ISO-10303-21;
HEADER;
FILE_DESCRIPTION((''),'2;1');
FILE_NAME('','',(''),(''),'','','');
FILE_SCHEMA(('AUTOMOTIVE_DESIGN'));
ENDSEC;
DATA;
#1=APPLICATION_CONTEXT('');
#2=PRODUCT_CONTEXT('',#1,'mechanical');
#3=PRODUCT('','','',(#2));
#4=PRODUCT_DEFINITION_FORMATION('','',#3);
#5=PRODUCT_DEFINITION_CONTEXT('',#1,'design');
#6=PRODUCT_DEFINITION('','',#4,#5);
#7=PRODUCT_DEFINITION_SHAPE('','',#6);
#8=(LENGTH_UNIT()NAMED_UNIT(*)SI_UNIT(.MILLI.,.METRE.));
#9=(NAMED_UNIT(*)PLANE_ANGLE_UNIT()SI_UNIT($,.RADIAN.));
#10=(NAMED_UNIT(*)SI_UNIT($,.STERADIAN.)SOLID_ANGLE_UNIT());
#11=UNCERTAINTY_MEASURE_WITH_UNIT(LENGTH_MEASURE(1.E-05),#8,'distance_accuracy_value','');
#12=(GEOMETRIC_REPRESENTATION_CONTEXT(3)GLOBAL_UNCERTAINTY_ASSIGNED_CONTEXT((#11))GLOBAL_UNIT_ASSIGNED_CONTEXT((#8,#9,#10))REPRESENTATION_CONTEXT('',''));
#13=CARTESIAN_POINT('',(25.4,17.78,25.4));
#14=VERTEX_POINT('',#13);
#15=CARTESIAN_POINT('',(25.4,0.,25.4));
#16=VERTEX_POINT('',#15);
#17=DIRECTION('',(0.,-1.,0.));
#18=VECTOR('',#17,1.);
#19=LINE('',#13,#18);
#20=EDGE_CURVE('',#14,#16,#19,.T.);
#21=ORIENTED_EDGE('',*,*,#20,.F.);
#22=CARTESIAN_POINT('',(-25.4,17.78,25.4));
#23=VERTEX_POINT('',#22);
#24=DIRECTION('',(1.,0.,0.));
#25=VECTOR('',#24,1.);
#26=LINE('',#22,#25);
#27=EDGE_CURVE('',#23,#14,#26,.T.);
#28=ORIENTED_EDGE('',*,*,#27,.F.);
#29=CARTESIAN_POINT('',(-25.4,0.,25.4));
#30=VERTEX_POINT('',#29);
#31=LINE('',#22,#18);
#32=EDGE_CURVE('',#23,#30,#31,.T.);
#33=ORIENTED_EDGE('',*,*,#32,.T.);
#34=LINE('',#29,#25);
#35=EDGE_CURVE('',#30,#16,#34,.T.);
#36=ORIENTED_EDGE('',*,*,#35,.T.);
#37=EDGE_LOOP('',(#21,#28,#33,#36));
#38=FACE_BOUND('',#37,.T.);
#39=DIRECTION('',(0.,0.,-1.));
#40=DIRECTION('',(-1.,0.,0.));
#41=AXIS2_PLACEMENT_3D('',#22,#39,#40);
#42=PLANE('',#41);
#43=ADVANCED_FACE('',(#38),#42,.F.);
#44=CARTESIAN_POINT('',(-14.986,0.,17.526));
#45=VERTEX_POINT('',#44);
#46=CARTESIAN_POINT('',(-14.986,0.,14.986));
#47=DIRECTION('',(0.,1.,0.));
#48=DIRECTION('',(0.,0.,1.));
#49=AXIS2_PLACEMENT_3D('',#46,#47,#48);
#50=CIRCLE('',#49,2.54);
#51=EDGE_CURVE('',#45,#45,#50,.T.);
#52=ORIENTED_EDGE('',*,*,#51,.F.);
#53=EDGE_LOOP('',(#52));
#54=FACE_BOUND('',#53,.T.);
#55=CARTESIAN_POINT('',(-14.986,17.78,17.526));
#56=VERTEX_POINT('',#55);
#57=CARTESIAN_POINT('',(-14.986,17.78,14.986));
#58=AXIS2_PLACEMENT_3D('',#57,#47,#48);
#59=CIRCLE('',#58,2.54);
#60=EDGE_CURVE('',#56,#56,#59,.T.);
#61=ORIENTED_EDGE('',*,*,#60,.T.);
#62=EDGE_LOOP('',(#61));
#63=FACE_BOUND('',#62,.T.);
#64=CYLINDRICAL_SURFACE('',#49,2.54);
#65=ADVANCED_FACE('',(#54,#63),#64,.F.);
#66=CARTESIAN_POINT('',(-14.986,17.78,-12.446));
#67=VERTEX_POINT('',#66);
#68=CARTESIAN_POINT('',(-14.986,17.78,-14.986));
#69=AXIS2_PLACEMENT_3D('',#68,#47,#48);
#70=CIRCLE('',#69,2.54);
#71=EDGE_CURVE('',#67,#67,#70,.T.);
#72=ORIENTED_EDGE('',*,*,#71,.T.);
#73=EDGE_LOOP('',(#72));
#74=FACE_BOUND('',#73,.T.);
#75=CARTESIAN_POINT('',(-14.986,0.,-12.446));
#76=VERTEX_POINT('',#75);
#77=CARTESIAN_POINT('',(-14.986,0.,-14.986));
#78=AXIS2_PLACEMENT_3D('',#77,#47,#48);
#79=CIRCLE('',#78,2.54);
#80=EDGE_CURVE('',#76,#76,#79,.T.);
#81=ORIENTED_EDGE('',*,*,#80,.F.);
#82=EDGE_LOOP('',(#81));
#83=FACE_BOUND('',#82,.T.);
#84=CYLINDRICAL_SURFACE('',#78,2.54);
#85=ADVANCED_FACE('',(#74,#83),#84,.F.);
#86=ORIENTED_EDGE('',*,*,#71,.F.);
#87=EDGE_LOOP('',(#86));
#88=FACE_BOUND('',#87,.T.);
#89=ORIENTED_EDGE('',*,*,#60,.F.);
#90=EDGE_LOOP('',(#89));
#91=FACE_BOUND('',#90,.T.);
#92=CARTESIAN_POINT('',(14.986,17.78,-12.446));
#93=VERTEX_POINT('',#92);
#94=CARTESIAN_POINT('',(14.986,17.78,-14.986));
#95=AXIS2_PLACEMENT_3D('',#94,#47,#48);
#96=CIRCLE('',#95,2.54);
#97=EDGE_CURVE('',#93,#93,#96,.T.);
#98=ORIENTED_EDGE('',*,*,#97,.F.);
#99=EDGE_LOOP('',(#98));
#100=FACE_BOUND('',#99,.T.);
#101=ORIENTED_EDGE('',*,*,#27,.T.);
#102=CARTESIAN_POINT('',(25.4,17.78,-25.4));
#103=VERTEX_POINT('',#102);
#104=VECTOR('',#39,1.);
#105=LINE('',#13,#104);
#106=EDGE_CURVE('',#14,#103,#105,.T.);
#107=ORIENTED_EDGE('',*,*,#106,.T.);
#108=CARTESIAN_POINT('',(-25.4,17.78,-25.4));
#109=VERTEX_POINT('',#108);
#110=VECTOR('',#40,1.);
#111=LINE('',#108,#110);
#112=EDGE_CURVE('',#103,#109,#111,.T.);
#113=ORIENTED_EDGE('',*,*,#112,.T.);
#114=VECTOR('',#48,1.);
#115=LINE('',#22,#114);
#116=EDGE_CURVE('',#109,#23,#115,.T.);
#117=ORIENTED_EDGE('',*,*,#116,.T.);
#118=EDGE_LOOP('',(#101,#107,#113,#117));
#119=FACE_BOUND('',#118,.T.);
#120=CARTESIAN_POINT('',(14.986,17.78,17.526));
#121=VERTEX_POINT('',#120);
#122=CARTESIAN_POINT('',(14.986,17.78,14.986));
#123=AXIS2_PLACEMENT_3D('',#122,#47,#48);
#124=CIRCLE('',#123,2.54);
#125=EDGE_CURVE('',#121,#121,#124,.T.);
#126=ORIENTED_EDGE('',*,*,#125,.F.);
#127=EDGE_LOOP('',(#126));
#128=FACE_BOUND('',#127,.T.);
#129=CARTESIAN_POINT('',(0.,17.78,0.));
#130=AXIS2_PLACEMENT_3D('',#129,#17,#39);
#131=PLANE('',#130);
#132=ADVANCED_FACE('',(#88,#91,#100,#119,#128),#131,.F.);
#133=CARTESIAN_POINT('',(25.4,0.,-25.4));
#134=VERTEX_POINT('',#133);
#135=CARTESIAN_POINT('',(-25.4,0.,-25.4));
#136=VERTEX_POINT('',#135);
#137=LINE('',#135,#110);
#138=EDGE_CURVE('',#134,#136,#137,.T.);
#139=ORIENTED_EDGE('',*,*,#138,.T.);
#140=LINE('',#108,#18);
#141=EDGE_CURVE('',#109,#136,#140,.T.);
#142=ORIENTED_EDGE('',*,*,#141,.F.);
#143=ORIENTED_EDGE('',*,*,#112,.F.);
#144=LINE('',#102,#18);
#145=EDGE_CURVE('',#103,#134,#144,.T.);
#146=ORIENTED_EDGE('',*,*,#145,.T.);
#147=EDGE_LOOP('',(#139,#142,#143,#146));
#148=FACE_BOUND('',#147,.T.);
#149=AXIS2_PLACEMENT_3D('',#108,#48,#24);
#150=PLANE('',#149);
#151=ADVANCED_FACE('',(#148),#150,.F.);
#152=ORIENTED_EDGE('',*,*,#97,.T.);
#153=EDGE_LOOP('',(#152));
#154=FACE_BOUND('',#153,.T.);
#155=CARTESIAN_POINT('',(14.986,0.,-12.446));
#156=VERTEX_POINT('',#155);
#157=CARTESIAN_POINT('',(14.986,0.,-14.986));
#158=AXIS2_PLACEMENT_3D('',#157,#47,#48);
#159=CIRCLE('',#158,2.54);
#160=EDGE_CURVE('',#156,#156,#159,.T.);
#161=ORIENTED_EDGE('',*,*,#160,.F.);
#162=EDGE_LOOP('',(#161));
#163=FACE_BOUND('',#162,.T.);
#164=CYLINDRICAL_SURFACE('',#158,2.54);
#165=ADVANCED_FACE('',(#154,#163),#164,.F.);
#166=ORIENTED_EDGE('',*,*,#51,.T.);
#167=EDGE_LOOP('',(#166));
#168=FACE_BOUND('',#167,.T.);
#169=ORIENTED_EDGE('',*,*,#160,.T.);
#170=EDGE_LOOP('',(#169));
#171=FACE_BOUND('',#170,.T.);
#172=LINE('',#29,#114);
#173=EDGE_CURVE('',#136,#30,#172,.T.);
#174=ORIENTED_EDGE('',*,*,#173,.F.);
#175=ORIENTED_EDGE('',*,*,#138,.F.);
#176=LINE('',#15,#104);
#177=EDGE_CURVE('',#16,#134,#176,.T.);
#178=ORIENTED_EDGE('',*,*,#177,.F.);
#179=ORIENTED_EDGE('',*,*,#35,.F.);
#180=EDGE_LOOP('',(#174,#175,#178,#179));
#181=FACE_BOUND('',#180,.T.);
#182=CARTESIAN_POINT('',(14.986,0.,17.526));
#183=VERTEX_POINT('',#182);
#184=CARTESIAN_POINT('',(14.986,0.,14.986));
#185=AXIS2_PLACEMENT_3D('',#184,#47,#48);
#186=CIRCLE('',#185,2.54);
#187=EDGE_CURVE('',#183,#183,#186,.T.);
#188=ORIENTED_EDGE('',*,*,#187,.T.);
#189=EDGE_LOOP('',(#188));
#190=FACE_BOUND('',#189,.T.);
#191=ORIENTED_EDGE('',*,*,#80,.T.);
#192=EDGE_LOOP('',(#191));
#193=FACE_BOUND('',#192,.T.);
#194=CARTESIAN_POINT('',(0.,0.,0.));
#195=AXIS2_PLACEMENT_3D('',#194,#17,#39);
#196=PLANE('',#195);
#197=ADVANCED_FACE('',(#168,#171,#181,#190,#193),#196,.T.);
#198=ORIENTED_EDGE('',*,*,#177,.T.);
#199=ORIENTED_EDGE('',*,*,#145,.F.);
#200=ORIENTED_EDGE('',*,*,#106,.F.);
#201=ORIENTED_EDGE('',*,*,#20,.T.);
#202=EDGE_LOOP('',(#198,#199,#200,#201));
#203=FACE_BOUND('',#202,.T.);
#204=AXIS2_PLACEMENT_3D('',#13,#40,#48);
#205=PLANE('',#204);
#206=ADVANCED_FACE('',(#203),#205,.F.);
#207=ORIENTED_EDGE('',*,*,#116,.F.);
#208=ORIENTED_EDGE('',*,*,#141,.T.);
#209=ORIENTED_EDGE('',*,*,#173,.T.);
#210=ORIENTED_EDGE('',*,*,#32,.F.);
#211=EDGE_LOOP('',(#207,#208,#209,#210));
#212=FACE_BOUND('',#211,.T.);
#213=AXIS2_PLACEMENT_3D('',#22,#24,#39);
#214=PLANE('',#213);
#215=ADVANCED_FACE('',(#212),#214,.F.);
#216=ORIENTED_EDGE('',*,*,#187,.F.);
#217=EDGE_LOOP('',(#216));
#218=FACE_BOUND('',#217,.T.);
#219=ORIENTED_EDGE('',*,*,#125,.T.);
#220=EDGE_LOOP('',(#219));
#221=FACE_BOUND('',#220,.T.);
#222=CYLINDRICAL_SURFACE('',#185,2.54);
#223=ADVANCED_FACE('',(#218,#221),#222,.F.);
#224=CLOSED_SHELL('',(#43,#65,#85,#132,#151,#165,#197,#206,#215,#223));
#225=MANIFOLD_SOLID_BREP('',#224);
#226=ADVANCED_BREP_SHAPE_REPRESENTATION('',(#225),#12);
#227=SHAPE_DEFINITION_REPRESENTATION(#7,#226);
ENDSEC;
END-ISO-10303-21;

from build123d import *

# Parameters (mm, degrees)
SKETCH1_W           = 50.8
SKETCH1_H           = 50.8
BOSS_EXTRUDE1_DEPTH = 17.78
SKETCH2_R           = 2.54
CUT_EXTRUDE1_DEPTH  = 41.080523949


with BuildPart() as part:
    # Sketch1 → Boss-Extrude1 (new body)
    with BuildSketch(Plane(origin=(0, 0, 0), x_dir=(1, 0, 0), z_dir=(0, 1, 0))):
        Rectangle(SKETCH1_W, SKETCH1_H)
    extrude(amount=BOSS_EXTRUDE1_DEPTH)

    # Sketch2 → Cut-Extrude1 (cut, through all)
    with BuildSketch(Plane(origin=(0, 17.78, 0), x_dir=(1, 0, 0), z_dir=(0, 1, 0))):
        with Locations(Location((-14.986, 14.986, 0), (0, 0, 270))):
            Circle(SKETCH2_R)
        with Locations(Location((14.986, 14.986, 0), (0, 0, 270))):
            Circle(SKETCH2_R)
        with Locations(Location((14.986, -14.986, 0), (0, 0, 270))):
            Circle(SKETCH2_R)
        with Locations(Location((-14.986, -14.986, 0), (0, 0, 270))):
            Circle(SKETCH2_R)
    extrude(amount=-CUT_EXTRUDE1_DEPTH, mode=Mode.SUBTRACT)


solid = part.part
